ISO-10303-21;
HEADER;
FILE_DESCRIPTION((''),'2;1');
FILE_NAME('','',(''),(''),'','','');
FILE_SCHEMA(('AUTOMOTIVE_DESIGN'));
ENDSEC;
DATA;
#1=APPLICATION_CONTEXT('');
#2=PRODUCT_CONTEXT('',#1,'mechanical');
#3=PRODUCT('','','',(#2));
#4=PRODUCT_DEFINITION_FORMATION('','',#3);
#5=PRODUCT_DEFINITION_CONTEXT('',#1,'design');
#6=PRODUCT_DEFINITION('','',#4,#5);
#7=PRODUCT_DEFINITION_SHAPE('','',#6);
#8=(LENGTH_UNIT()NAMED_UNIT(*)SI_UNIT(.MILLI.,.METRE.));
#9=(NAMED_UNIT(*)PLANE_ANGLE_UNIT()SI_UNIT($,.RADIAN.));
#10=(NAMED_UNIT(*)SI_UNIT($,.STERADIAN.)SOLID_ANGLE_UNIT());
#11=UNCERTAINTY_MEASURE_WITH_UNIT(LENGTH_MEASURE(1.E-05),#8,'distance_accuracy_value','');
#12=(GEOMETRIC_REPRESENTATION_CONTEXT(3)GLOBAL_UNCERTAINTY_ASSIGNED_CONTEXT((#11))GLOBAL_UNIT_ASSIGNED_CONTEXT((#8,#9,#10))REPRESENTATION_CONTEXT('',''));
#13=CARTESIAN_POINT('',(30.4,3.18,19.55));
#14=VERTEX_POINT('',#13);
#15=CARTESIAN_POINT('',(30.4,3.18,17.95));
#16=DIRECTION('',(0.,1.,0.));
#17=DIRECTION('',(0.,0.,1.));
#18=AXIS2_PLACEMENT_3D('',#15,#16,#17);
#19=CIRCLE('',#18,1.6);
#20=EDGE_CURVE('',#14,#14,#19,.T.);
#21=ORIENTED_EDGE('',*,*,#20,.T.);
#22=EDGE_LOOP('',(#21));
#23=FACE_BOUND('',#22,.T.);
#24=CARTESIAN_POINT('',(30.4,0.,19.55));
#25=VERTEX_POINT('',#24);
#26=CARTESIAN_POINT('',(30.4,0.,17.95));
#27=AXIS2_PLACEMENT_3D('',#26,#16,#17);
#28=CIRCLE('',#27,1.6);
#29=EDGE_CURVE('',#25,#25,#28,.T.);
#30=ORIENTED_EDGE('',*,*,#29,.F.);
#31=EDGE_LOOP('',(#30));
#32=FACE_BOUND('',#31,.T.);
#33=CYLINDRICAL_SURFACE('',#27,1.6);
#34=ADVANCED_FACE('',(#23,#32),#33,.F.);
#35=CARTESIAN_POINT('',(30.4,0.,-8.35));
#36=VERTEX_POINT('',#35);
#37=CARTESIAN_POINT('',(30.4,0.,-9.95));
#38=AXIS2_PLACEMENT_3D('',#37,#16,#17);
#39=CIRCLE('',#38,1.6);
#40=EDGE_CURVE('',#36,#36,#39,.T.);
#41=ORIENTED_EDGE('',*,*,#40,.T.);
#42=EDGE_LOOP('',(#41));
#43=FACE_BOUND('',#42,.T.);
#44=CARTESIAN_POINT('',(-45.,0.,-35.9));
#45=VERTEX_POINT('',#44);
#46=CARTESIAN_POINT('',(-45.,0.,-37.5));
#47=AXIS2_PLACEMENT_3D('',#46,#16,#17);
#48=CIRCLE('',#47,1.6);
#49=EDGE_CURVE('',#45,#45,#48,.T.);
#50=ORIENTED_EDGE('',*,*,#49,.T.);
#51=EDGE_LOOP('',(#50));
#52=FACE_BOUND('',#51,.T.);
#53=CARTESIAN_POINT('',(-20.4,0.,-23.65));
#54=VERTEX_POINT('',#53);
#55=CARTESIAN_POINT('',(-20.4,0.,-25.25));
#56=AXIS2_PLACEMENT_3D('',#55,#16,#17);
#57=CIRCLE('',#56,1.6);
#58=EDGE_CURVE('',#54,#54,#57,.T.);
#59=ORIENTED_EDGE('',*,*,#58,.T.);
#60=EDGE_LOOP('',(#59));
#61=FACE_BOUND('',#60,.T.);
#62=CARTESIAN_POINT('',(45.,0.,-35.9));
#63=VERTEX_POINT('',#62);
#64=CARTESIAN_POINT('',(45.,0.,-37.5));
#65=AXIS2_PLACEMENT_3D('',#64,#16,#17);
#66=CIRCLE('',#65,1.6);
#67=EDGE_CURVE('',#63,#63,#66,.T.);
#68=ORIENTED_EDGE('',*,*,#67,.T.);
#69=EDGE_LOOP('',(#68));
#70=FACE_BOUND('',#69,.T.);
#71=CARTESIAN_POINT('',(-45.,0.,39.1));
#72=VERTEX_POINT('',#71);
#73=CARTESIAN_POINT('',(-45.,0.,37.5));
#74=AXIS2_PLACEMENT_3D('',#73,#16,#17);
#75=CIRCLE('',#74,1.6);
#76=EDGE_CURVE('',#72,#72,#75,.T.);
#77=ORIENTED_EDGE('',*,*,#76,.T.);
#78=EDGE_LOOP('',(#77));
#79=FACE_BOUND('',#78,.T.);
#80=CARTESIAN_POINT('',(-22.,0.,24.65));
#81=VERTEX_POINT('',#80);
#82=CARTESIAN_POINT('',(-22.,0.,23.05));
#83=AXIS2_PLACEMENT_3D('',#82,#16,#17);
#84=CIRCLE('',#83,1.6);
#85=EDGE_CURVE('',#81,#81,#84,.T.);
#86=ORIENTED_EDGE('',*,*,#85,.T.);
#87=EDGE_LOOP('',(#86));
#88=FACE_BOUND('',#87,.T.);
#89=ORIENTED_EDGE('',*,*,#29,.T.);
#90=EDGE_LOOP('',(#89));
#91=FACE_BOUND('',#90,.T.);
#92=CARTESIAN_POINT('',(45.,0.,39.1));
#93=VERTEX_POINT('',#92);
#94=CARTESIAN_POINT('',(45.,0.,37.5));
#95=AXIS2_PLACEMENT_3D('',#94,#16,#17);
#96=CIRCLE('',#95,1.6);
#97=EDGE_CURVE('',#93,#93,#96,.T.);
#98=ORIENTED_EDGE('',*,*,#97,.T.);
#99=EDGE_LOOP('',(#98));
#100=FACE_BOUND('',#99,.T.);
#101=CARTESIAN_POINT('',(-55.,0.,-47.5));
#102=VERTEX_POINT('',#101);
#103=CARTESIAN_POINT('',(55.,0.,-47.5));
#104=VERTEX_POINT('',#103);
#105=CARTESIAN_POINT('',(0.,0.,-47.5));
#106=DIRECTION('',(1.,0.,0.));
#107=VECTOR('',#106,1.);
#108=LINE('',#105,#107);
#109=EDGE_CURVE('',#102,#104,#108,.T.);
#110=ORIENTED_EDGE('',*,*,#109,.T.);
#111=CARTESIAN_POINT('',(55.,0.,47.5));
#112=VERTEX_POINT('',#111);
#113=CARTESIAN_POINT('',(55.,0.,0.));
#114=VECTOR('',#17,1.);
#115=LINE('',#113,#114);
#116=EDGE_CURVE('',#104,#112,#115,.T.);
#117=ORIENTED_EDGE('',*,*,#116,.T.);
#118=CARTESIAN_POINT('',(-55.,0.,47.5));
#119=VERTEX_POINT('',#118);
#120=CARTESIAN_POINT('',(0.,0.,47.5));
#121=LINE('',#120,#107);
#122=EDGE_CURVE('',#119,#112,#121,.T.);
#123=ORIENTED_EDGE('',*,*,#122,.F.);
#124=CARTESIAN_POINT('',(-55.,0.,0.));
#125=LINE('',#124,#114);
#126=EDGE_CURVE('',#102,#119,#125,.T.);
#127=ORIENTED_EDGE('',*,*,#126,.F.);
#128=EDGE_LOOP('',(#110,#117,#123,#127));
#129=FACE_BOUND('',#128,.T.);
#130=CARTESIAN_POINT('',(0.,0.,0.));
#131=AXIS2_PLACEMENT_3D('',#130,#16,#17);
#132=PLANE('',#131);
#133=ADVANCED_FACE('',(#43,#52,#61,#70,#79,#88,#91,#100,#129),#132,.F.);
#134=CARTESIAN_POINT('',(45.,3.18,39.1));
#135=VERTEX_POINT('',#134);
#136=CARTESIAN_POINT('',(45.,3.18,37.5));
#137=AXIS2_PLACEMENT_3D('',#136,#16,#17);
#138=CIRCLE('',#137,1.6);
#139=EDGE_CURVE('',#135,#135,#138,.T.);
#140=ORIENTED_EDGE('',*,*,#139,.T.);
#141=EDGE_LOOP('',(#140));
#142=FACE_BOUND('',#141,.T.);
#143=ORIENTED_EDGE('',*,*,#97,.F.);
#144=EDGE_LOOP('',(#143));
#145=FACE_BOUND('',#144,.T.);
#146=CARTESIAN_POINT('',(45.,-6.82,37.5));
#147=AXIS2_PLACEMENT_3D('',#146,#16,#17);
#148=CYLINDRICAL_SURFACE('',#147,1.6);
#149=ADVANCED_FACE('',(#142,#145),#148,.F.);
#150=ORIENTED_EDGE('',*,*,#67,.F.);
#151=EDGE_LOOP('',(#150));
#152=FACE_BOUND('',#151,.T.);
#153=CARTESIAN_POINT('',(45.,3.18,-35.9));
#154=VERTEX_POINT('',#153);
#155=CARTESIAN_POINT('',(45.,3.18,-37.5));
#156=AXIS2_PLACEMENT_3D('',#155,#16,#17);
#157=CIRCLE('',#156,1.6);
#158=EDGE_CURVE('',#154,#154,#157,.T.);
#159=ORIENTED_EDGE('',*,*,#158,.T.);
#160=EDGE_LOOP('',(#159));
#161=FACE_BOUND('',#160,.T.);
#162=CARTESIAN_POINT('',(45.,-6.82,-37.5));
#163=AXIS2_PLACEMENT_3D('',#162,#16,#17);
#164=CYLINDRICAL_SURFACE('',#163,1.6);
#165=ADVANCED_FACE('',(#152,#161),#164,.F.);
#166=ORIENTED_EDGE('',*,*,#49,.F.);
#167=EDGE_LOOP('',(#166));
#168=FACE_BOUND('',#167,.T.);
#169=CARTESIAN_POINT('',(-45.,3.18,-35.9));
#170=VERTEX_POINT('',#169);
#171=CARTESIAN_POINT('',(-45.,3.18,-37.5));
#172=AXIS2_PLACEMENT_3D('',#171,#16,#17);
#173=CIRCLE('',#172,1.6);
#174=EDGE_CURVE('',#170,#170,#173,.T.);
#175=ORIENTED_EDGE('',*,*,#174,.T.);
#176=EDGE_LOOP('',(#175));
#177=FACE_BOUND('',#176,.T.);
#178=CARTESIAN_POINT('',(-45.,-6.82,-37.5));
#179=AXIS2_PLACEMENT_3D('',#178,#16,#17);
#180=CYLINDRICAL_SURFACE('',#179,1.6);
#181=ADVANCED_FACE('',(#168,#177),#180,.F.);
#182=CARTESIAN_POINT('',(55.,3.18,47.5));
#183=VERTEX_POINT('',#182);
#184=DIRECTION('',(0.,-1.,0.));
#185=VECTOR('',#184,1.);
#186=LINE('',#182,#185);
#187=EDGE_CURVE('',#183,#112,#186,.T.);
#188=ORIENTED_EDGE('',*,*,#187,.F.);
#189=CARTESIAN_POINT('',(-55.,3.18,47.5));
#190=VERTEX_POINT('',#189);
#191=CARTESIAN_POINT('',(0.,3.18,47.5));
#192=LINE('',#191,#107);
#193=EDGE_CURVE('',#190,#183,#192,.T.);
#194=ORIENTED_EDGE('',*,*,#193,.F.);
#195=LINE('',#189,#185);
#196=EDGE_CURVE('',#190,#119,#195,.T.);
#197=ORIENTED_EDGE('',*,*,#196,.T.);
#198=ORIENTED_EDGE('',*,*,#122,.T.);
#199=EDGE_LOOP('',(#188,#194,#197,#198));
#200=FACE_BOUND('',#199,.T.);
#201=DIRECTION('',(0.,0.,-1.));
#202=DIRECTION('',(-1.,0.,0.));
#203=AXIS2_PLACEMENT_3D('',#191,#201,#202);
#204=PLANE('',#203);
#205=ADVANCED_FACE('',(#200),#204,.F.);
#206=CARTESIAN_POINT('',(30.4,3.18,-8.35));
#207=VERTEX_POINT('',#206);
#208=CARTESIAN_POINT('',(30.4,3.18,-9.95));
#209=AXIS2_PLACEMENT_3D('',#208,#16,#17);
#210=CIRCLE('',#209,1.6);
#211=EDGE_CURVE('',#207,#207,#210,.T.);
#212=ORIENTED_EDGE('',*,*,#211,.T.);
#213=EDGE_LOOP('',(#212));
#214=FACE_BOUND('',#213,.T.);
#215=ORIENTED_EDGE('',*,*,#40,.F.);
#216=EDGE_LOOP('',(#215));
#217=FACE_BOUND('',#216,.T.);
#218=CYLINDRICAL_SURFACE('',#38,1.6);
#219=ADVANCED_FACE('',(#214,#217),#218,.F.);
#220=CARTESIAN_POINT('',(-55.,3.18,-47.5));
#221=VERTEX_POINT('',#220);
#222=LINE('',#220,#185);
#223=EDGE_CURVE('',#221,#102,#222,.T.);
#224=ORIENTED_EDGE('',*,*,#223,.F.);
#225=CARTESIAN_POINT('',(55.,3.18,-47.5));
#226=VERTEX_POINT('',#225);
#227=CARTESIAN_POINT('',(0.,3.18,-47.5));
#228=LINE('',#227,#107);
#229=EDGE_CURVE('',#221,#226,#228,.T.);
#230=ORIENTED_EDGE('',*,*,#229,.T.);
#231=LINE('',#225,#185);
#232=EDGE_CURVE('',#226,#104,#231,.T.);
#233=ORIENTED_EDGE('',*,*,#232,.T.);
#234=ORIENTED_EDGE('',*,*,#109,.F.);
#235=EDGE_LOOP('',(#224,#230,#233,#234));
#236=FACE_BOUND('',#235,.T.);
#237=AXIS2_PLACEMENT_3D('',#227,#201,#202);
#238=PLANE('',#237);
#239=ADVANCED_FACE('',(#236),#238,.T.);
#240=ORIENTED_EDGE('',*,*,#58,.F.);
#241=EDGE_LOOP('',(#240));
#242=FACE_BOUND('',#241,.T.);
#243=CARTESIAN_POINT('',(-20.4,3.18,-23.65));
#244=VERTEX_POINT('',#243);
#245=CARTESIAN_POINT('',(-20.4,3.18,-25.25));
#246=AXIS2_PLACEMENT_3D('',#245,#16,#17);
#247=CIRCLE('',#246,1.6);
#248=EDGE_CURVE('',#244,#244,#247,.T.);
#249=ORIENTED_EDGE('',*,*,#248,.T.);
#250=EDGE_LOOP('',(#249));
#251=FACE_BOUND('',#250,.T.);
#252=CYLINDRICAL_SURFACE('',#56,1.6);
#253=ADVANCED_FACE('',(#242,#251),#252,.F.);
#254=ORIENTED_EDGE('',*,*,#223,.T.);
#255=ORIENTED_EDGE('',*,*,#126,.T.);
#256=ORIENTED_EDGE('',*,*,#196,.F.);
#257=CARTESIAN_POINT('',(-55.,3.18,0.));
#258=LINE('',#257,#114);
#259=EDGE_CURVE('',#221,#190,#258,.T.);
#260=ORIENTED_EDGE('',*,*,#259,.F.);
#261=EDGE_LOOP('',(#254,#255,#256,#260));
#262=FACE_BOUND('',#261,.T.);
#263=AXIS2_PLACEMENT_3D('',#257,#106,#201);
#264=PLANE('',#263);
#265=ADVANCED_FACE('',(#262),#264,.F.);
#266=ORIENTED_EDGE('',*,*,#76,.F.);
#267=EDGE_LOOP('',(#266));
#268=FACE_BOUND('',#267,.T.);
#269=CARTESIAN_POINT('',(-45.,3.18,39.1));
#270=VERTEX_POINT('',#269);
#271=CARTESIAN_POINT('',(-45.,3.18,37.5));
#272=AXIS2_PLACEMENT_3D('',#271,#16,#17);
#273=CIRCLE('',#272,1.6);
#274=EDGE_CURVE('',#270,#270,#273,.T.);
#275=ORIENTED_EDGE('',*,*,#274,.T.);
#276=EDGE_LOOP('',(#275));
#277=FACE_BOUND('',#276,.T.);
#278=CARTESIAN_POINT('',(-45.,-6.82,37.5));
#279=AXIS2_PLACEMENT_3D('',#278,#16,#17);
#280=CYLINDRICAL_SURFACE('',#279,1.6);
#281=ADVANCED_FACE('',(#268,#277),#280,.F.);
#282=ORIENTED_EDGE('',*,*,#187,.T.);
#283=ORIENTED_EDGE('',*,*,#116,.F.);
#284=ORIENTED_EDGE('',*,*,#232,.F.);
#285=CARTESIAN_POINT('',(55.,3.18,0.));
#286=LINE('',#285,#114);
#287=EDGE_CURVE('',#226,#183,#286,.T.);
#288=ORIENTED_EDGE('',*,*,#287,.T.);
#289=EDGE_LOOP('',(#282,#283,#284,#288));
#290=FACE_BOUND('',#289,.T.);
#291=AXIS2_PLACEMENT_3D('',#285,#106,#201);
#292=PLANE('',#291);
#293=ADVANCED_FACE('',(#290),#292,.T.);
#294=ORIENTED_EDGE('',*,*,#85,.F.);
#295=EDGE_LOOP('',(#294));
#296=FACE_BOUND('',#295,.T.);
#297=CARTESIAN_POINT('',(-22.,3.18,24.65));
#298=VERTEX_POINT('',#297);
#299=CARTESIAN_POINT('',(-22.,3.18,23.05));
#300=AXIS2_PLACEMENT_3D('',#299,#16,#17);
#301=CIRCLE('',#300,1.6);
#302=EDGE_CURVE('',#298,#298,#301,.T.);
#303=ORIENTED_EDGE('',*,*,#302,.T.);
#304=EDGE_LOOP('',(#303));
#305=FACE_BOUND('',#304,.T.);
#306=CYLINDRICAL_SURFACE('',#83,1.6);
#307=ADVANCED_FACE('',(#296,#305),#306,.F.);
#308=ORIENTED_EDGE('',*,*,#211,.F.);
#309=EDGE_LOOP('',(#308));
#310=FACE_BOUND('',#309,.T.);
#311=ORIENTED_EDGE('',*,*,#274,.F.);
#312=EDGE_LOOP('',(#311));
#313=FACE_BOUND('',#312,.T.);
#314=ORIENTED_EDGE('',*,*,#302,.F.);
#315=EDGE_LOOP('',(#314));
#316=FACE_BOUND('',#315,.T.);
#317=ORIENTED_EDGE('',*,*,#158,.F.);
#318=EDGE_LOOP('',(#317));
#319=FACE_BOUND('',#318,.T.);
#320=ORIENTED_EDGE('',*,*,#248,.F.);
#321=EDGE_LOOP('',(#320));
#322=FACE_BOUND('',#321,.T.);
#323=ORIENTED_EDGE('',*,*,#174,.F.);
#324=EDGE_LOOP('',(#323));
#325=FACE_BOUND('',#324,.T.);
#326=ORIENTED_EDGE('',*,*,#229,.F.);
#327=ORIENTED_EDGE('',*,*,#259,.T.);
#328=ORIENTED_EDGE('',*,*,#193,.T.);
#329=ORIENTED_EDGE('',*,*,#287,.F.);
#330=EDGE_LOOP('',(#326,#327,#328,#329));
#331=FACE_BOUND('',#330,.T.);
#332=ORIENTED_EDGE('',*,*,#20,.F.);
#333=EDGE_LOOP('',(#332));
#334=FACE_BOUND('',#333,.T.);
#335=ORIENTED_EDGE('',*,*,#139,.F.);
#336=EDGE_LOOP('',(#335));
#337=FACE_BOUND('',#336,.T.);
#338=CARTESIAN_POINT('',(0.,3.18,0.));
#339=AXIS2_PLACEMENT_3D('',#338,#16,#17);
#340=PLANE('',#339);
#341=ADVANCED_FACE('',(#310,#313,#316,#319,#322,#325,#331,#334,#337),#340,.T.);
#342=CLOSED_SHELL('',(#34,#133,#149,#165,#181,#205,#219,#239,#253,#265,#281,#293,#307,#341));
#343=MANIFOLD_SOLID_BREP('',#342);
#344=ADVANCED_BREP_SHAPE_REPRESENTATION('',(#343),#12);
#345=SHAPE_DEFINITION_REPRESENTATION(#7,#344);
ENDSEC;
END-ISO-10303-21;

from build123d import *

# Parameters (mm, degrees)
BOSS_EXTRUDE1_DEPTH = 3.18
SKETCH2_R           = 1.6
CUT_EXTRUDE1_DEPTH  = 3.18
SKETCH3_R           = 1.6
CUT_EXTRUDE2_DEPTH  = 10


with BuildPart() as part:
    # Sketch1 → Boss-Extrude1 (new body)
    with BuildSketch(Plane(origin=(0, 0, 0), x_dir=(1, 0, 0), z_dir=(0, 1, 0))):
        Polygon((0, 0), (-55, 47.5), (-55, -47.5), align=None)
        Polygon((55, -47.5), (0, 0), (-55, -47.5), align=None)
        Polygon((55, 47.5), (0, 0), (55, -47.5), align=None)
        Polygon((55, 47.5), (-55, 47.5), (0, 0), align=None)
    extrude(amount=BOSS_EXTRUDE1_DEPTH)

    # Sketch2 → Cut-Extrude1 (cut)
    with BuildSketch(Plane(origin=(0, 3.18, 0), x_dir=(1, 0, 0), z_dir=(0, 1, 0))):
        with Locations((-20.4, 25.25)):
            Circle(SKETCH2_R)
        with Locations((-22, -23.05)):
            Circle(SKETCH2_R)
        with Locations((30.4, 9.95)):
            Circle(SKETCH2_R)
        with Locations((30.4, -17.95)):
            Circle(SKETCH2_R)
    extrude(amount=-CUT_EXTRUDE1_DEPTH, mode=Mode.SUBTRACT)

    # Sketch3 → Cut-Extrude2 (cut)
    with BuildSketch(Plane(origin=(0, 3.18, 0), x_dir=(1, 0, 0), z_dir=(0, 1, 0))):
        with Locations((45, 37.5)):
            Circle(SKETCH3_R)
        with Locations((45, -37.5)):
            Circle(SKETCH3_R)
        with Locations((-45, 37.5)):
            Circle(SKETCH3_R)
        with Locations((-45, -37.5)):
            Circle(SKETCH3_R)
    extrude(amount=-CUT_EXTRUDE2_DEPTH, mode=Mode.SUBTRACT)


solid = part.part
